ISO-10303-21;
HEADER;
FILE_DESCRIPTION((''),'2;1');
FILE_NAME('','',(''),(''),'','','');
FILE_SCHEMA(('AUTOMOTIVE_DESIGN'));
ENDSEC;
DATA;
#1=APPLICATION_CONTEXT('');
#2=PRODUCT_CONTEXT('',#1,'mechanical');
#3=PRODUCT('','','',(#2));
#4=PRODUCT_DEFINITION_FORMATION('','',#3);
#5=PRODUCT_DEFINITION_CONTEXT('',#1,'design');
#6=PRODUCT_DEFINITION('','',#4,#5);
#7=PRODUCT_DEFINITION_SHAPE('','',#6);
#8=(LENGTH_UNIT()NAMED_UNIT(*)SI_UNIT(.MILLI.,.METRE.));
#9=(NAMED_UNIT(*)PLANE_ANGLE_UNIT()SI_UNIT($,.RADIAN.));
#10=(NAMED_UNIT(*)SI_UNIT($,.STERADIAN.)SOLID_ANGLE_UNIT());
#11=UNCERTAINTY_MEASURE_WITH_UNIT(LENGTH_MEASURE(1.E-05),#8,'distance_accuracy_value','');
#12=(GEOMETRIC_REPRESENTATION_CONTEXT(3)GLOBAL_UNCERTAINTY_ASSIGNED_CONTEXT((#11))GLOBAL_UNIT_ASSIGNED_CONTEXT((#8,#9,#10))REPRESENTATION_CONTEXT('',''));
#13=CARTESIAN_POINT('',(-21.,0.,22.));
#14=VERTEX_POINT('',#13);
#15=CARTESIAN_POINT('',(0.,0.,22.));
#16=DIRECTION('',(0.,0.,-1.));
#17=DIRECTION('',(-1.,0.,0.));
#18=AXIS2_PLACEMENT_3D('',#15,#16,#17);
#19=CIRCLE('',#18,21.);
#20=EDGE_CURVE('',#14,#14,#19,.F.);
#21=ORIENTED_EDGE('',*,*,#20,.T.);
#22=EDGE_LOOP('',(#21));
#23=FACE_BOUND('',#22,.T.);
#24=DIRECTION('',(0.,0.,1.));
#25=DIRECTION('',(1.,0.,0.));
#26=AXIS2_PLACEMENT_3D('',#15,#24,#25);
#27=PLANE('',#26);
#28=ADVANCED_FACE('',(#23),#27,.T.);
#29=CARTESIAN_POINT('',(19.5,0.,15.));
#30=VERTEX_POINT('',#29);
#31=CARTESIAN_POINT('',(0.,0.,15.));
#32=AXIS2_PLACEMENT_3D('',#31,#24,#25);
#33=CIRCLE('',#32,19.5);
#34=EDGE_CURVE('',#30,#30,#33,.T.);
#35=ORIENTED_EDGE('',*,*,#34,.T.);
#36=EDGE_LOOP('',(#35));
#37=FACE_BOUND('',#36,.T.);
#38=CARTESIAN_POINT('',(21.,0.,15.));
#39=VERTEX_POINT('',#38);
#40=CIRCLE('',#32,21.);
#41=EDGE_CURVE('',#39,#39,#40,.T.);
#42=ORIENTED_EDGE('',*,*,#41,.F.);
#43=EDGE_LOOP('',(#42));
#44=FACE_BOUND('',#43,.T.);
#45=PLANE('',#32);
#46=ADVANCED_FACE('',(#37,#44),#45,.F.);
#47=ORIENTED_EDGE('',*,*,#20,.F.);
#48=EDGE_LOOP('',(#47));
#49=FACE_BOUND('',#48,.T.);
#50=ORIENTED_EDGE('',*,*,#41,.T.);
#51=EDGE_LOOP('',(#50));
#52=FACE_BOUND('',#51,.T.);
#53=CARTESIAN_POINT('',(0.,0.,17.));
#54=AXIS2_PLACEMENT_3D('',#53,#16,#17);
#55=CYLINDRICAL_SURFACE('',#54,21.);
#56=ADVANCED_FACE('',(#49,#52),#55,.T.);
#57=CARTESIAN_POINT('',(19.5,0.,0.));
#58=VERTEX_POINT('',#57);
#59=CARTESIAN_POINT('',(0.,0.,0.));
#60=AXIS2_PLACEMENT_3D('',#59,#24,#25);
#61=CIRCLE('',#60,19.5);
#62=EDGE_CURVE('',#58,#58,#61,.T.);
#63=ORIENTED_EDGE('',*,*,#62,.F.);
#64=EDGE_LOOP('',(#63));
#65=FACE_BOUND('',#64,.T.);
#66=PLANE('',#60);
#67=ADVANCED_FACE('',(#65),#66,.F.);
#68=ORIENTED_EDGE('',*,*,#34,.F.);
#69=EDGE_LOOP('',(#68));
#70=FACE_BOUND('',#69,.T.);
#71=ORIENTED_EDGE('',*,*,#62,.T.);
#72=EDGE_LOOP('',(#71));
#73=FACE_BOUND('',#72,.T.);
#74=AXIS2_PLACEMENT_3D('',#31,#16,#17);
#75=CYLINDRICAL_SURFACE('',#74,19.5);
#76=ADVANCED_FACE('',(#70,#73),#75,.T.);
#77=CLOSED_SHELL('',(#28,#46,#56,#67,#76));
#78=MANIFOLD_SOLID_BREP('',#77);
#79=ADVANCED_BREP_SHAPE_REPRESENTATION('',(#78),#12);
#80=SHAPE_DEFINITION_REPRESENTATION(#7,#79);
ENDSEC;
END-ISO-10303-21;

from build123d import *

# Parameters (mm, degrees)
SKETCH1_R           = 19.5
BOSS_EXTRUDE1_DEPTH = 15
SKETCH2_R           = 21
BOSS_EXTRUDE2_DEPTH = 2
SKETCH3_R           = 50
BOSS_EXTRUDE3_DEPTH = 5
CUT_EXTRUDE2_DEPTH  = 5
CUT_EXTRUDE3_DEPTH  = 2.5
SKETCH8_R           = 2.5
CUT_EXTRUDE4_DEPTH  = 20.5
BOSS_EXTRUDE4_DEPTH = 5
FILLET1_R           = 1
SKETCH10_R          = 50
SKETCH10_R_2        = 21
CUT_EXTRUDE5_DEPTH  = 28


with BuildPart() as part:
    # Sketch1 → Boss-Extrude1 (new body)
    with BuildSketch(Plane.XY):
        Circle(SKETCH1_R)
    extrude(amount=BOSS_EXTRUDE1_DEPTH)

    # Sketch2 → Boss-Extrude2 (add)
    with BuildSketch(Plane.XY.offset(15)):
        Circle(SKETCH2_R)
    extrude(amount=BOSS_EXTRUDE2_DEPTH)

    # Sketch3 → Boss-Extrude3 (add)
    with BuildSketch(Plane.XY.offset(17)):
        Circle(SKETCH3_R)
    extrude(amount=BOSS_EXTRUDE3_DEPTH)

    # Sketch4 → Cut-Extrude2 (cut)
    with BuildSketch(Plane(origin=(0, 0, 17), x_dir=(-1, 0, 0), z_dir=(0, 0, -1))):
        with BuildLine():
            ThreePointArc((-18.186533, -10.5), (-21, 0), (-18.186533, 10.5))
            Line((-18.186533, 10.5), (-36.669606, 21.484645))
            ThreePointArc((-36.669606, 21.484645), (-42.499783, 0.135723), (-36.80608, -21.25))
            Line((-36.80608, -21.25), (-18.186533, -10.5))
        make_face()
        with BuildLine():
            Line((-21.25, 36.80608), (-10.5, 18.186533))
            ThreePointArc((-10.5, 18.186533), (0, 21), (10.5, 18.186533))
            Line((10.5, 18.186533), (21.484645, 36.669606))
            ThreePointArc((21.484645, 36.669606), (0.135723, 42.499783), (-21.25, 36.80608))
        make_face()
        with BuildLine():
            Line((36.80608, 21.25), (18.186533, 10.5))
            ThreePointArc((18.186533, 10.5), (20.284442, 5.4352), (21, 0))
            ThreePointArc((21, 0), (20.284442, -5.4352), (18.186533, -10.5))
            Line((18.186533, -10.5), (36.669606, -21.484645))
            ThreePointArc((36.669606, -21.484645), (42.499783, -0.135723), (36.80608, 21.25))
        make_face()
    extrude(amount=-CUT_EXTRUDE2_DEPTH, mode=Mode.SUBTRACT)

    # Sketch5 → Cut-Extrude3 (cut)
    with BuildSketch(Plane.XY.offset(22)):
        with BuildLine():
            Line((-15, -47.69696), (-15, -27.69696))
            Line((-15, -27.69696), (15, -27.69696))
            Line((15, -27.69696), (15, -47.69696))
            ThreePointArc((15, -47.69696), (0, -50), (-15, -47.69696))
        make_face()
    extrude(amount=-CUT_EXTRUDE3_DEPTH, mode=Mode.SUBTRACT)

    # Sketch8 → Cut-Extrude4 (cut, through all)
    with BuildSketch(Plane.XY.offset(19.5)):
        with Locations((-7.5, -37.69696)):
            Circle(SKETCH8_R)
        with Locations((7.5, -37.69696)):
            Circle(SKETCH8_R)
    extrude(amount=-CUT_EXTRUDE4_DEPTH, mode=Mode.SUBTRACT)

    # Sketch9 → Boss-Extrude4 (add)
    with BuildSketch(Plane.XY.offset(22)):
        with BuildLine():
            Line((-36.80608, 21.25), (-43.30127, 25))
            ThreePointArc((-43.30127, 25), (-49.999665, -0.183068), (-43.117043, -25.31641))
            Line((-43.117043, -25.31641), (-36.669606, -21.484645))
            ThreePointArc((-36.669606, -21.484645), (-42.499783, -0.135723), (-36.80608, 21.25))
        make_face()
        with BuildLine():
            Line((-21.484645, 36.669606), (-25.31641, 43.117043))
            ThreePointArc((-25.31641, 43.117043), (-0.183068, 49.999665), (25, 43.30127))
            Line((25, 43.30127), (21.25, 36.80608))
            ThreePointArc((21.25, 36.80608), (-0.135723, 42.499783), (-21.484645, 36.669606))
        make_face()
        with BuildLine():
            Line((36.669606, 21.484645), (43.117043, 25.31641))
            ThreePointArc((43.117043, 25.31641), (49.999665, 0.183068), (43.30127, -25))
            Line((43.30127, -25), (36.80608, -21.25))
            ThreePointArc((36.80608, -21.25), (42.499783, 0.135723), (36.669606, 21.484645))
        make_face()
    extrude(amount=BOSS_EXTRUDE4_DEPTH)

    # Fillet1
    fillet1_edges = [part.edges().sort_by_distance(p)[0] for p in [
        (-0.135723, 42.499783, 27),
        (23.125, 40.053675, 27),
        (-0.183068, 49.999665, 27),
        (-23.400528, 39.893324, 27),
        (42.499783, 0.135723, 27),
        (40.053675, -23.125, 27),
        (49.999665, 0.183068, 27),
        (39.893324, 23.400528, 27),
        (-42.499783, -0.135723, 27),
        (-40.053675, 23.125, 27),
        (-49.999665, -0.183068, 27),
        (-39.893324, -23.400528, 27),
    ]]
    fillet(fillet1_edges, radius=FILLET1_R)

    # Sketch10 → Cut-Extrude5 (cut, through all)
    with BuildSketch(Plane(origin=(0, 0, 0), x_dir=(-1, 0, 0), z_dir=(0, 0, -1))):
        Circle(SKETCH10_R)
        Circle(SKETCH10_R_2, mode=Mode.SUBTRACT)
    extrude(amount=-CUT_EXTRUDE5_DEPTH, mode=Mode.SUBTRACT)


solid = part.part
